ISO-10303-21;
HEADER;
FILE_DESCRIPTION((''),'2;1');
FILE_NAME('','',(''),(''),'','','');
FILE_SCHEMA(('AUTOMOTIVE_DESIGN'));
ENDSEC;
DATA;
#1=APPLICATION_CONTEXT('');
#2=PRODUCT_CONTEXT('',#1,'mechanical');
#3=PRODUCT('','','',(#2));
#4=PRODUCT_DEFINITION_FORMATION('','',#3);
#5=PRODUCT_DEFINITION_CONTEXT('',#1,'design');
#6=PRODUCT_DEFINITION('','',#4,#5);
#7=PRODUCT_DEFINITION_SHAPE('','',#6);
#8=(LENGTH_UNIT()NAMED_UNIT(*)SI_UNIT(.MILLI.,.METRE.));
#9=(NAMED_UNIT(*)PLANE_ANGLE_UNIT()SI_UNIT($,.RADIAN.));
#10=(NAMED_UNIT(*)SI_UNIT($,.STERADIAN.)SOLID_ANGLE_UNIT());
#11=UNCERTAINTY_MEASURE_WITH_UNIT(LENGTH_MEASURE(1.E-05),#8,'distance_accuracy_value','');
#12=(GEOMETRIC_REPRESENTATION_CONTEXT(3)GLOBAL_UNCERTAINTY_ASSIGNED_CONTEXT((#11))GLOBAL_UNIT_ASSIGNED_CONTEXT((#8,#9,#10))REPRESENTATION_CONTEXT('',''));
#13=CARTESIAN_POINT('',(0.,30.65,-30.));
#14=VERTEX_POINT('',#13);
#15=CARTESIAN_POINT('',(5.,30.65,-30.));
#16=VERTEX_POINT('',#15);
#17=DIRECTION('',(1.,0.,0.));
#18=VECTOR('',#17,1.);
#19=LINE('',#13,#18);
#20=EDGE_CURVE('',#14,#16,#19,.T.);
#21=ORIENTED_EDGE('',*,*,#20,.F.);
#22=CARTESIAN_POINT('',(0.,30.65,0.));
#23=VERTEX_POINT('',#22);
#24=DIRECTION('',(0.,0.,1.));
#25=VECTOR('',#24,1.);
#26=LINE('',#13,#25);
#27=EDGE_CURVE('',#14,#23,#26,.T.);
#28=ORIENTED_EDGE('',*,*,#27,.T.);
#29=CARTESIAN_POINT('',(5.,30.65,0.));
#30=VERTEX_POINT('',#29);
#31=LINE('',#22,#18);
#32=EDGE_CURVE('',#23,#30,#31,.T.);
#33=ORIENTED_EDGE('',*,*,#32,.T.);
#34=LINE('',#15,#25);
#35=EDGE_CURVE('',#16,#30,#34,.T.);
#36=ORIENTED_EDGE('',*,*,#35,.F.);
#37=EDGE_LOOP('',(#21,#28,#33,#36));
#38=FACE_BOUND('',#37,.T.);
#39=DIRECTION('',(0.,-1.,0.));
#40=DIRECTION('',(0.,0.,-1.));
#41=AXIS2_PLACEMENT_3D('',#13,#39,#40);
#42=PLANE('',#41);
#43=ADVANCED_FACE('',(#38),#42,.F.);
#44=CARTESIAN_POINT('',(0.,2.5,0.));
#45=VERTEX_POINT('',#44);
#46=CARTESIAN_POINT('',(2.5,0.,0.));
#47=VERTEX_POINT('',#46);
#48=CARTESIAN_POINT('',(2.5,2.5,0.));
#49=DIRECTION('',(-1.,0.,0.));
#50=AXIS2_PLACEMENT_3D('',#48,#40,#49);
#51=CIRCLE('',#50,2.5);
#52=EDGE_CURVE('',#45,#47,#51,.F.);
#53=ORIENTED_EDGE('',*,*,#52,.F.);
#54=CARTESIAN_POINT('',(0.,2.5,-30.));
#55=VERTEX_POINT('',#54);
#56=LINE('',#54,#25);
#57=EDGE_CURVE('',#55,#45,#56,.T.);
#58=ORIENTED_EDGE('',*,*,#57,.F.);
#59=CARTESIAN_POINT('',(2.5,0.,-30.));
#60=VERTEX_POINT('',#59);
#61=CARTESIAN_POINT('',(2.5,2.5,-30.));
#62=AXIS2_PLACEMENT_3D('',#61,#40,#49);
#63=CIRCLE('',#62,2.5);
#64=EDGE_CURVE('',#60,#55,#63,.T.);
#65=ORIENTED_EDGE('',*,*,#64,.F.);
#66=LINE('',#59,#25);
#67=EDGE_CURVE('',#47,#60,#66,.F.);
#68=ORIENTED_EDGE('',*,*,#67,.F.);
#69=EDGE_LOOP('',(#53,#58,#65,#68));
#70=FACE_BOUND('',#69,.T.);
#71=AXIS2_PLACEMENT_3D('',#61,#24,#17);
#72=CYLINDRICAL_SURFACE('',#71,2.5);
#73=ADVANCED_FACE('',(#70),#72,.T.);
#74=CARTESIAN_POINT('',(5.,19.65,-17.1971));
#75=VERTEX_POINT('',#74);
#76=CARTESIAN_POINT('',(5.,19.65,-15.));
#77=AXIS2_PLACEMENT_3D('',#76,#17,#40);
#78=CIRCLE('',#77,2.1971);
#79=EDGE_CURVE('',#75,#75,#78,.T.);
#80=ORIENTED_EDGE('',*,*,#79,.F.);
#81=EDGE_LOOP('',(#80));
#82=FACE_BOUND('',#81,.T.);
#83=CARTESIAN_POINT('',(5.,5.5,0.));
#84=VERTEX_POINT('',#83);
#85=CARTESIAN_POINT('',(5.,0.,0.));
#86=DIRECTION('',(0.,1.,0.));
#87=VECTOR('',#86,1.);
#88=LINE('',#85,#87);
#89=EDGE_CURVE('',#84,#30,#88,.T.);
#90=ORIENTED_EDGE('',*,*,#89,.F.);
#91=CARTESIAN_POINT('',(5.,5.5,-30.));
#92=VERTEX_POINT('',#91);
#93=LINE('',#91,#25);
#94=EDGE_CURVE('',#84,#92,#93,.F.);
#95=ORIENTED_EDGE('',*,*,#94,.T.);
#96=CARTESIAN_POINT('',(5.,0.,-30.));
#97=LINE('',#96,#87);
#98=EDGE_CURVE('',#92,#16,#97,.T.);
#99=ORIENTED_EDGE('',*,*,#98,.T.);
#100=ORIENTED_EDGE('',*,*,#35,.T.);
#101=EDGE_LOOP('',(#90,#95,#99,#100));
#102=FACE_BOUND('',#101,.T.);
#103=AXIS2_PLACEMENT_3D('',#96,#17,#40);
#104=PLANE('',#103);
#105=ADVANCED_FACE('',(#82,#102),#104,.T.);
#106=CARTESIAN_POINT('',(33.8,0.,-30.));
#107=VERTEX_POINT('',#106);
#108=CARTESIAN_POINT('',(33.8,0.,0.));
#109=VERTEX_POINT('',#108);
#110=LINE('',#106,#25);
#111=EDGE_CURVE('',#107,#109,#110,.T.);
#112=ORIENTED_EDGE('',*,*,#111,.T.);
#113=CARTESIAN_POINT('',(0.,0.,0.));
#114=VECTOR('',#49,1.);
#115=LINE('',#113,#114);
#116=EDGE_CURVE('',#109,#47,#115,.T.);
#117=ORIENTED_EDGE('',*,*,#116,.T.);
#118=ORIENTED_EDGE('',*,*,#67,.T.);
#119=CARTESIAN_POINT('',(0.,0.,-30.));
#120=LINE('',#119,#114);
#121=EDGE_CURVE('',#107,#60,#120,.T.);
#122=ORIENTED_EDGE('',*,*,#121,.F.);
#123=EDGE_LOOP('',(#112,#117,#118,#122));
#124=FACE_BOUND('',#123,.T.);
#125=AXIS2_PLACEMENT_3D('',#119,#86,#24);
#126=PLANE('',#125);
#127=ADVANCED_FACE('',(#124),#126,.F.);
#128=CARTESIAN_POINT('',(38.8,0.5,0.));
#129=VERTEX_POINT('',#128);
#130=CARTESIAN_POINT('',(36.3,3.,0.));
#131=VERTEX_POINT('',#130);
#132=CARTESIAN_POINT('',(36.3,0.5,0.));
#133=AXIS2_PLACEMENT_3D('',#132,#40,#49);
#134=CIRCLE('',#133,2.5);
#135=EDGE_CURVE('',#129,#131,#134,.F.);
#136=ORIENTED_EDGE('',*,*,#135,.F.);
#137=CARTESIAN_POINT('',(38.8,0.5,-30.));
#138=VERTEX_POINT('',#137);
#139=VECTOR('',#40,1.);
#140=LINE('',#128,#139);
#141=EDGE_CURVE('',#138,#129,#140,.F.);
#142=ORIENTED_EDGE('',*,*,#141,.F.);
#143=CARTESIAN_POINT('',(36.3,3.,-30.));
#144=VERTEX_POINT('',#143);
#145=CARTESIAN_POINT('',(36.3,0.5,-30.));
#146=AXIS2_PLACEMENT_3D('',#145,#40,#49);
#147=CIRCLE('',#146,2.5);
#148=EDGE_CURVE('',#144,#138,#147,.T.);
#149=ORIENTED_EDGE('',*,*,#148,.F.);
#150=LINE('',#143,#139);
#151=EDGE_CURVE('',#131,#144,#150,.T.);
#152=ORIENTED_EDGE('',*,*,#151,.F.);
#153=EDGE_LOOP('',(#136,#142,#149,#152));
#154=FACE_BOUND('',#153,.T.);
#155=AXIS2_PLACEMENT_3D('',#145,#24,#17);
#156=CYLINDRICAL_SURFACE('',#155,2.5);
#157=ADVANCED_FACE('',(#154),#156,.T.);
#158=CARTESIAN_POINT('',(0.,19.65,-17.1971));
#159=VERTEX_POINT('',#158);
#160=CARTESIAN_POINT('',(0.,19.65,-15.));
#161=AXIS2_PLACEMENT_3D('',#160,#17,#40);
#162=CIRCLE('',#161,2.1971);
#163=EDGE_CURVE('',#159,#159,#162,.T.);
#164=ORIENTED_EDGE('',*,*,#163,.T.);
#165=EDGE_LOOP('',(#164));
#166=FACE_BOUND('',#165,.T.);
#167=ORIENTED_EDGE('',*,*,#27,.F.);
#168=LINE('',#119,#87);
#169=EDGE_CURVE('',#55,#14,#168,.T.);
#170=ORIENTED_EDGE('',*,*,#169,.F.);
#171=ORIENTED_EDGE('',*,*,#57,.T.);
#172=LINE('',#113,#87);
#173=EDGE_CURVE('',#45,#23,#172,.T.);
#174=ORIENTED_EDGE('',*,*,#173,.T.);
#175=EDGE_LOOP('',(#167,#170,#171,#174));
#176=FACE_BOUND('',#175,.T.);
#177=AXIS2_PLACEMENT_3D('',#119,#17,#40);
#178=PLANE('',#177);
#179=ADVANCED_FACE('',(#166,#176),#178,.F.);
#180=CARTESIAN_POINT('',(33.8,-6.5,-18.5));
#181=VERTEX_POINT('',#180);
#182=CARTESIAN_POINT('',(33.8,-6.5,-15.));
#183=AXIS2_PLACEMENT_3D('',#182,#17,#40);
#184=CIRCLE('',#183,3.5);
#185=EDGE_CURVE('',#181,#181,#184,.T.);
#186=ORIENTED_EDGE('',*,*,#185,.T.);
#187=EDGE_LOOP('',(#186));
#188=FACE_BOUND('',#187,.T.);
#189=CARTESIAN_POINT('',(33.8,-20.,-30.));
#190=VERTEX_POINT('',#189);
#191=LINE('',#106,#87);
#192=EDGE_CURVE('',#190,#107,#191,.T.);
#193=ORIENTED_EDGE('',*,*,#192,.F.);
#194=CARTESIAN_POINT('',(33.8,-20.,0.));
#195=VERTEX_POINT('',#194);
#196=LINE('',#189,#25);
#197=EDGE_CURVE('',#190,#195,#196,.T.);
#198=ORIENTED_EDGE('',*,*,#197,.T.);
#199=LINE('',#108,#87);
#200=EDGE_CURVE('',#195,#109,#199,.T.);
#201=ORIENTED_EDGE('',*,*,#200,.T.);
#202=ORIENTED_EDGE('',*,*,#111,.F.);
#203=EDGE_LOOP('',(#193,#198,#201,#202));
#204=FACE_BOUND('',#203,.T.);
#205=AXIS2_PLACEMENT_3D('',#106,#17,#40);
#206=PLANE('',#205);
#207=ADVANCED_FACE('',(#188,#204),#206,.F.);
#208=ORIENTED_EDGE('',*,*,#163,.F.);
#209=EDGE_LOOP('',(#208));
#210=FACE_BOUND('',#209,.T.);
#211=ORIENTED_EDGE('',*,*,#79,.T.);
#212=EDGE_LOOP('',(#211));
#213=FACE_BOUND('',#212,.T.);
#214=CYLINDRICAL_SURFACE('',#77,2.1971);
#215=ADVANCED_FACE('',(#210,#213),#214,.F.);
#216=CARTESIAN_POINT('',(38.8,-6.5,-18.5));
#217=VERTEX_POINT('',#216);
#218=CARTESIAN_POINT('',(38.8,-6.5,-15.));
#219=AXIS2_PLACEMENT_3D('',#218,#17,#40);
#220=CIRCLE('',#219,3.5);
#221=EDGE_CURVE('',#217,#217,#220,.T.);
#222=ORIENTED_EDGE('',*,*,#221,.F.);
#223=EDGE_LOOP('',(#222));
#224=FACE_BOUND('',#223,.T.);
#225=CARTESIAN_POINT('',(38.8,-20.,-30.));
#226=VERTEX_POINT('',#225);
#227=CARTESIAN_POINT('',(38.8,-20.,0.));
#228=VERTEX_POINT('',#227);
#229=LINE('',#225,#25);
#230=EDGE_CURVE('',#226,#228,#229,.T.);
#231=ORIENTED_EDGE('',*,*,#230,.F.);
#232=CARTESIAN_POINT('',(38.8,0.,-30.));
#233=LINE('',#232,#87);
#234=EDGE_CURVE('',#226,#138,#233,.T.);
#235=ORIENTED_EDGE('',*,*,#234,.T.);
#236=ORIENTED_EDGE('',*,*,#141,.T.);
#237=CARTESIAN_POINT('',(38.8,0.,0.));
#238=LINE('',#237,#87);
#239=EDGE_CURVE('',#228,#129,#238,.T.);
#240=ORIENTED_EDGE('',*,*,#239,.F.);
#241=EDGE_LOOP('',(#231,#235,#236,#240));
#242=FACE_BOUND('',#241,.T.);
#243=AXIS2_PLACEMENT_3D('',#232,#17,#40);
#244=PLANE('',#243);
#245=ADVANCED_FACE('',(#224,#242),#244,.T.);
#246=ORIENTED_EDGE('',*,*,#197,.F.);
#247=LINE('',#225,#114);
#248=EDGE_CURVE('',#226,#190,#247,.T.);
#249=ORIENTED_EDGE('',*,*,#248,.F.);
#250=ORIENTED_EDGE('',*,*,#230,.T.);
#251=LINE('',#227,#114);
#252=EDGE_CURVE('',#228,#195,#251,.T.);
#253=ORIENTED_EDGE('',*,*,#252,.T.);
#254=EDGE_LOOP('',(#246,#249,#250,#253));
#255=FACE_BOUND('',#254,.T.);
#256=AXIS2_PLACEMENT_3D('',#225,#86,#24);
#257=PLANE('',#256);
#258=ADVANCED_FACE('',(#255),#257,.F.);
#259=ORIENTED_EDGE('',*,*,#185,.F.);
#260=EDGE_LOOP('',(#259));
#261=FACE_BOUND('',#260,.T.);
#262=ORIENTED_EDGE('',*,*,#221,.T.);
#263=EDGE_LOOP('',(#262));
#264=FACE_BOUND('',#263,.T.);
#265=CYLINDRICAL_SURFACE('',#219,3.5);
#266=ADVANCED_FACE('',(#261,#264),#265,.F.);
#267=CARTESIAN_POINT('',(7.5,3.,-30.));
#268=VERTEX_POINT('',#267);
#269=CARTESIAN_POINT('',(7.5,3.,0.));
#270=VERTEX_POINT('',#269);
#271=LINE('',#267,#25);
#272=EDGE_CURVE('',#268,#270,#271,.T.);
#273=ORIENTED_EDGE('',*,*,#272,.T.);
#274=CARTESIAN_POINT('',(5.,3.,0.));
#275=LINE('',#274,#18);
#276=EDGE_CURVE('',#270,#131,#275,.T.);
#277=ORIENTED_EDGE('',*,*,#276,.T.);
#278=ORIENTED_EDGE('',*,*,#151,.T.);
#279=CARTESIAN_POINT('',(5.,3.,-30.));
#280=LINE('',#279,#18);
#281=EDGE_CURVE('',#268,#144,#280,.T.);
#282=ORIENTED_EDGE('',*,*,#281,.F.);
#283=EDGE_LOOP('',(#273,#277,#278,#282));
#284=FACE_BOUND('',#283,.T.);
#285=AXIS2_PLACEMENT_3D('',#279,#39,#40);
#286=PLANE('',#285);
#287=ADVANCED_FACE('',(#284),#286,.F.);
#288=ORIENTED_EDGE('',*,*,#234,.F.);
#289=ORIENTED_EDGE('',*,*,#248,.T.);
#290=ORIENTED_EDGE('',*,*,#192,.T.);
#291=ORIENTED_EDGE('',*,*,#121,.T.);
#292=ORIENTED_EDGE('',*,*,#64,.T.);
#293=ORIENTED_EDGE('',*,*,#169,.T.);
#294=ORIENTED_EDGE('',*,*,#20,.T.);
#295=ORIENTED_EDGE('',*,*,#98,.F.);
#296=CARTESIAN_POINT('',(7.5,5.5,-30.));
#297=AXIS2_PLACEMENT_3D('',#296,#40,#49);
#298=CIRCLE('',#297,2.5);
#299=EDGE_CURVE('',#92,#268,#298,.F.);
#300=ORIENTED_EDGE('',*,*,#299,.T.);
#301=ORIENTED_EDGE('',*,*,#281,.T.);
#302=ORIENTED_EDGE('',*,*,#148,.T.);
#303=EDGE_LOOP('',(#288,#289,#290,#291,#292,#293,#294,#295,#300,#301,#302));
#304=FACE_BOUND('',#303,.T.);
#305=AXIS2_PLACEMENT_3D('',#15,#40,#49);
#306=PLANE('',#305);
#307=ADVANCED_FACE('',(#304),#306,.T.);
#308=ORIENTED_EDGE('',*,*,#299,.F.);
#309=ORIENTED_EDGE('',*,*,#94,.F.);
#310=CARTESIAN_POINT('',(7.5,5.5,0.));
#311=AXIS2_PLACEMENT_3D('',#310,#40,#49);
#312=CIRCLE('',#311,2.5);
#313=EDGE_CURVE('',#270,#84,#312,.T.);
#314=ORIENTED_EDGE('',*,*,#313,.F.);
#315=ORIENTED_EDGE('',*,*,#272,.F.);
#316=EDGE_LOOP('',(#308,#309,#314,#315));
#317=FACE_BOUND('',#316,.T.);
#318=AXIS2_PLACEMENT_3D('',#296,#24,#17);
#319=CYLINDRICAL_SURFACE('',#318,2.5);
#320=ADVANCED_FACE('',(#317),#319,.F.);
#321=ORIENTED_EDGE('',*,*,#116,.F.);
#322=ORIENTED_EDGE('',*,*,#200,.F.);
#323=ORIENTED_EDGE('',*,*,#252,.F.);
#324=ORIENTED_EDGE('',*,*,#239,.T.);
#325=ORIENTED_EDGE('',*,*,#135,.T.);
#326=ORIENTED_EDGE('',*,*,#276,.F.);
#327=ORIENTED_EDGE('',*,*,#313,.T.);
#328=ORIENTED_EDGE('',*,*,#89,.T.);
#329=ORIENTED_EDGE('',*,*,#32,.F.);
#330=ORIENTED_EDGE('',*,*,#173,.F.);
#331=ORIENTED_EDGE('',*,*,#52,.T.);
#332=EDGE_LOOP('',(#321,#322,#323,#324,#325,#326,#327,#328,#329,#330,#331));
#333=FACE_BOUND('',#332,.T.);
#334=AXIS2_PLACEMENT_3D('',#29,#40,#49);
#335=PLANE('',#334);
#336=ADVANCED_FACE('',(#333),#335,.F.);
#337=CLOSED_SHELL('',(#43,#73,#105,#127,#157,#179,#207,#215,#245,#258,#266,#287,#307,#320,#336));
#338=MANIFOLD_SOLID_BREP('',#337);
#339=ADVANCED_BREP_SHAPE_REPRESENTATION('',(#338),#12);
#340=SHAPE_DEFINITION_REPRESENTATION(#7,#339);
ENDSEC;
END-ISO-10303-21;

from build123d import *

# Parameters (mm, degrees)
EXTRUDE_THIN1_DEPTH              = 30
F_7_0_7_DIAMETER_HOLE1_D         = 7
TAPPED_HOLE_FOR_8_32_HELICOIL1_D = 4.3942
SKETCH5_W                        = 43.8
SKETCH5_H                        = 32.238868154
EXTRUDE1_DEPTH                   = 31
FILLET1_R                        = 2.5


with BuildPart() as part:
    # Sketch1 → Extrude-Thin1 (new body)
    with BuildSketch(Plane.XY):
        Polygon((0, 30.65), (0, 0), (33.8, 0), (33.8, -20), (38.8, -20), (38.8, 5), (5, 5), (5, 30.65), align=None)
    extrude(amount=-EXTRUDE_THIN1_DEPTH)

    # Ø7.0 (7) Diameter Hole1 (through all)
    with Locations(Plane(origin=(38.8, -6.5, -15), x_dir=(0, 0, 1), z_dir=(1, 0, 0))):
        with Locations((0, 0)):
            Hole(F_7_0_7_DIAMETER_HOLE1_D / 2)

    # Tapped Hole for #8-32 Helicoil1 (through all)
    with Locations(Plane(origin=(5, 19.65, -15), x_dir=(0, 0, 1), z_dir=(1, 0, 0))):
        with Locations((0, 0)):
            Hole(TAPPED_HOLE_FOR_8_32_HELICOIL1_D / 2)

    # Sketch5 → Extrude1 (cut, through all)
    with BuildSketch(Plane.XY):
        with Locations((26.9, 19.119434077)):
            Rectangle(SKETCH5_W, SKETCH5_H)
    extrude(amount=-EXTRUDE1_DEPTH, mode=Mode.SUBTRACT)

    # Fillet1
    fillet1_edges = [part.edges().sort_by_distance(p)[0] for p in [
        (0, 0, -15),
        (38.8, 3, -15),
        (5, 3, -15),
    ]]
    fillet(fillet1_edges, radius=FILLET1_R)


solid = part.part
